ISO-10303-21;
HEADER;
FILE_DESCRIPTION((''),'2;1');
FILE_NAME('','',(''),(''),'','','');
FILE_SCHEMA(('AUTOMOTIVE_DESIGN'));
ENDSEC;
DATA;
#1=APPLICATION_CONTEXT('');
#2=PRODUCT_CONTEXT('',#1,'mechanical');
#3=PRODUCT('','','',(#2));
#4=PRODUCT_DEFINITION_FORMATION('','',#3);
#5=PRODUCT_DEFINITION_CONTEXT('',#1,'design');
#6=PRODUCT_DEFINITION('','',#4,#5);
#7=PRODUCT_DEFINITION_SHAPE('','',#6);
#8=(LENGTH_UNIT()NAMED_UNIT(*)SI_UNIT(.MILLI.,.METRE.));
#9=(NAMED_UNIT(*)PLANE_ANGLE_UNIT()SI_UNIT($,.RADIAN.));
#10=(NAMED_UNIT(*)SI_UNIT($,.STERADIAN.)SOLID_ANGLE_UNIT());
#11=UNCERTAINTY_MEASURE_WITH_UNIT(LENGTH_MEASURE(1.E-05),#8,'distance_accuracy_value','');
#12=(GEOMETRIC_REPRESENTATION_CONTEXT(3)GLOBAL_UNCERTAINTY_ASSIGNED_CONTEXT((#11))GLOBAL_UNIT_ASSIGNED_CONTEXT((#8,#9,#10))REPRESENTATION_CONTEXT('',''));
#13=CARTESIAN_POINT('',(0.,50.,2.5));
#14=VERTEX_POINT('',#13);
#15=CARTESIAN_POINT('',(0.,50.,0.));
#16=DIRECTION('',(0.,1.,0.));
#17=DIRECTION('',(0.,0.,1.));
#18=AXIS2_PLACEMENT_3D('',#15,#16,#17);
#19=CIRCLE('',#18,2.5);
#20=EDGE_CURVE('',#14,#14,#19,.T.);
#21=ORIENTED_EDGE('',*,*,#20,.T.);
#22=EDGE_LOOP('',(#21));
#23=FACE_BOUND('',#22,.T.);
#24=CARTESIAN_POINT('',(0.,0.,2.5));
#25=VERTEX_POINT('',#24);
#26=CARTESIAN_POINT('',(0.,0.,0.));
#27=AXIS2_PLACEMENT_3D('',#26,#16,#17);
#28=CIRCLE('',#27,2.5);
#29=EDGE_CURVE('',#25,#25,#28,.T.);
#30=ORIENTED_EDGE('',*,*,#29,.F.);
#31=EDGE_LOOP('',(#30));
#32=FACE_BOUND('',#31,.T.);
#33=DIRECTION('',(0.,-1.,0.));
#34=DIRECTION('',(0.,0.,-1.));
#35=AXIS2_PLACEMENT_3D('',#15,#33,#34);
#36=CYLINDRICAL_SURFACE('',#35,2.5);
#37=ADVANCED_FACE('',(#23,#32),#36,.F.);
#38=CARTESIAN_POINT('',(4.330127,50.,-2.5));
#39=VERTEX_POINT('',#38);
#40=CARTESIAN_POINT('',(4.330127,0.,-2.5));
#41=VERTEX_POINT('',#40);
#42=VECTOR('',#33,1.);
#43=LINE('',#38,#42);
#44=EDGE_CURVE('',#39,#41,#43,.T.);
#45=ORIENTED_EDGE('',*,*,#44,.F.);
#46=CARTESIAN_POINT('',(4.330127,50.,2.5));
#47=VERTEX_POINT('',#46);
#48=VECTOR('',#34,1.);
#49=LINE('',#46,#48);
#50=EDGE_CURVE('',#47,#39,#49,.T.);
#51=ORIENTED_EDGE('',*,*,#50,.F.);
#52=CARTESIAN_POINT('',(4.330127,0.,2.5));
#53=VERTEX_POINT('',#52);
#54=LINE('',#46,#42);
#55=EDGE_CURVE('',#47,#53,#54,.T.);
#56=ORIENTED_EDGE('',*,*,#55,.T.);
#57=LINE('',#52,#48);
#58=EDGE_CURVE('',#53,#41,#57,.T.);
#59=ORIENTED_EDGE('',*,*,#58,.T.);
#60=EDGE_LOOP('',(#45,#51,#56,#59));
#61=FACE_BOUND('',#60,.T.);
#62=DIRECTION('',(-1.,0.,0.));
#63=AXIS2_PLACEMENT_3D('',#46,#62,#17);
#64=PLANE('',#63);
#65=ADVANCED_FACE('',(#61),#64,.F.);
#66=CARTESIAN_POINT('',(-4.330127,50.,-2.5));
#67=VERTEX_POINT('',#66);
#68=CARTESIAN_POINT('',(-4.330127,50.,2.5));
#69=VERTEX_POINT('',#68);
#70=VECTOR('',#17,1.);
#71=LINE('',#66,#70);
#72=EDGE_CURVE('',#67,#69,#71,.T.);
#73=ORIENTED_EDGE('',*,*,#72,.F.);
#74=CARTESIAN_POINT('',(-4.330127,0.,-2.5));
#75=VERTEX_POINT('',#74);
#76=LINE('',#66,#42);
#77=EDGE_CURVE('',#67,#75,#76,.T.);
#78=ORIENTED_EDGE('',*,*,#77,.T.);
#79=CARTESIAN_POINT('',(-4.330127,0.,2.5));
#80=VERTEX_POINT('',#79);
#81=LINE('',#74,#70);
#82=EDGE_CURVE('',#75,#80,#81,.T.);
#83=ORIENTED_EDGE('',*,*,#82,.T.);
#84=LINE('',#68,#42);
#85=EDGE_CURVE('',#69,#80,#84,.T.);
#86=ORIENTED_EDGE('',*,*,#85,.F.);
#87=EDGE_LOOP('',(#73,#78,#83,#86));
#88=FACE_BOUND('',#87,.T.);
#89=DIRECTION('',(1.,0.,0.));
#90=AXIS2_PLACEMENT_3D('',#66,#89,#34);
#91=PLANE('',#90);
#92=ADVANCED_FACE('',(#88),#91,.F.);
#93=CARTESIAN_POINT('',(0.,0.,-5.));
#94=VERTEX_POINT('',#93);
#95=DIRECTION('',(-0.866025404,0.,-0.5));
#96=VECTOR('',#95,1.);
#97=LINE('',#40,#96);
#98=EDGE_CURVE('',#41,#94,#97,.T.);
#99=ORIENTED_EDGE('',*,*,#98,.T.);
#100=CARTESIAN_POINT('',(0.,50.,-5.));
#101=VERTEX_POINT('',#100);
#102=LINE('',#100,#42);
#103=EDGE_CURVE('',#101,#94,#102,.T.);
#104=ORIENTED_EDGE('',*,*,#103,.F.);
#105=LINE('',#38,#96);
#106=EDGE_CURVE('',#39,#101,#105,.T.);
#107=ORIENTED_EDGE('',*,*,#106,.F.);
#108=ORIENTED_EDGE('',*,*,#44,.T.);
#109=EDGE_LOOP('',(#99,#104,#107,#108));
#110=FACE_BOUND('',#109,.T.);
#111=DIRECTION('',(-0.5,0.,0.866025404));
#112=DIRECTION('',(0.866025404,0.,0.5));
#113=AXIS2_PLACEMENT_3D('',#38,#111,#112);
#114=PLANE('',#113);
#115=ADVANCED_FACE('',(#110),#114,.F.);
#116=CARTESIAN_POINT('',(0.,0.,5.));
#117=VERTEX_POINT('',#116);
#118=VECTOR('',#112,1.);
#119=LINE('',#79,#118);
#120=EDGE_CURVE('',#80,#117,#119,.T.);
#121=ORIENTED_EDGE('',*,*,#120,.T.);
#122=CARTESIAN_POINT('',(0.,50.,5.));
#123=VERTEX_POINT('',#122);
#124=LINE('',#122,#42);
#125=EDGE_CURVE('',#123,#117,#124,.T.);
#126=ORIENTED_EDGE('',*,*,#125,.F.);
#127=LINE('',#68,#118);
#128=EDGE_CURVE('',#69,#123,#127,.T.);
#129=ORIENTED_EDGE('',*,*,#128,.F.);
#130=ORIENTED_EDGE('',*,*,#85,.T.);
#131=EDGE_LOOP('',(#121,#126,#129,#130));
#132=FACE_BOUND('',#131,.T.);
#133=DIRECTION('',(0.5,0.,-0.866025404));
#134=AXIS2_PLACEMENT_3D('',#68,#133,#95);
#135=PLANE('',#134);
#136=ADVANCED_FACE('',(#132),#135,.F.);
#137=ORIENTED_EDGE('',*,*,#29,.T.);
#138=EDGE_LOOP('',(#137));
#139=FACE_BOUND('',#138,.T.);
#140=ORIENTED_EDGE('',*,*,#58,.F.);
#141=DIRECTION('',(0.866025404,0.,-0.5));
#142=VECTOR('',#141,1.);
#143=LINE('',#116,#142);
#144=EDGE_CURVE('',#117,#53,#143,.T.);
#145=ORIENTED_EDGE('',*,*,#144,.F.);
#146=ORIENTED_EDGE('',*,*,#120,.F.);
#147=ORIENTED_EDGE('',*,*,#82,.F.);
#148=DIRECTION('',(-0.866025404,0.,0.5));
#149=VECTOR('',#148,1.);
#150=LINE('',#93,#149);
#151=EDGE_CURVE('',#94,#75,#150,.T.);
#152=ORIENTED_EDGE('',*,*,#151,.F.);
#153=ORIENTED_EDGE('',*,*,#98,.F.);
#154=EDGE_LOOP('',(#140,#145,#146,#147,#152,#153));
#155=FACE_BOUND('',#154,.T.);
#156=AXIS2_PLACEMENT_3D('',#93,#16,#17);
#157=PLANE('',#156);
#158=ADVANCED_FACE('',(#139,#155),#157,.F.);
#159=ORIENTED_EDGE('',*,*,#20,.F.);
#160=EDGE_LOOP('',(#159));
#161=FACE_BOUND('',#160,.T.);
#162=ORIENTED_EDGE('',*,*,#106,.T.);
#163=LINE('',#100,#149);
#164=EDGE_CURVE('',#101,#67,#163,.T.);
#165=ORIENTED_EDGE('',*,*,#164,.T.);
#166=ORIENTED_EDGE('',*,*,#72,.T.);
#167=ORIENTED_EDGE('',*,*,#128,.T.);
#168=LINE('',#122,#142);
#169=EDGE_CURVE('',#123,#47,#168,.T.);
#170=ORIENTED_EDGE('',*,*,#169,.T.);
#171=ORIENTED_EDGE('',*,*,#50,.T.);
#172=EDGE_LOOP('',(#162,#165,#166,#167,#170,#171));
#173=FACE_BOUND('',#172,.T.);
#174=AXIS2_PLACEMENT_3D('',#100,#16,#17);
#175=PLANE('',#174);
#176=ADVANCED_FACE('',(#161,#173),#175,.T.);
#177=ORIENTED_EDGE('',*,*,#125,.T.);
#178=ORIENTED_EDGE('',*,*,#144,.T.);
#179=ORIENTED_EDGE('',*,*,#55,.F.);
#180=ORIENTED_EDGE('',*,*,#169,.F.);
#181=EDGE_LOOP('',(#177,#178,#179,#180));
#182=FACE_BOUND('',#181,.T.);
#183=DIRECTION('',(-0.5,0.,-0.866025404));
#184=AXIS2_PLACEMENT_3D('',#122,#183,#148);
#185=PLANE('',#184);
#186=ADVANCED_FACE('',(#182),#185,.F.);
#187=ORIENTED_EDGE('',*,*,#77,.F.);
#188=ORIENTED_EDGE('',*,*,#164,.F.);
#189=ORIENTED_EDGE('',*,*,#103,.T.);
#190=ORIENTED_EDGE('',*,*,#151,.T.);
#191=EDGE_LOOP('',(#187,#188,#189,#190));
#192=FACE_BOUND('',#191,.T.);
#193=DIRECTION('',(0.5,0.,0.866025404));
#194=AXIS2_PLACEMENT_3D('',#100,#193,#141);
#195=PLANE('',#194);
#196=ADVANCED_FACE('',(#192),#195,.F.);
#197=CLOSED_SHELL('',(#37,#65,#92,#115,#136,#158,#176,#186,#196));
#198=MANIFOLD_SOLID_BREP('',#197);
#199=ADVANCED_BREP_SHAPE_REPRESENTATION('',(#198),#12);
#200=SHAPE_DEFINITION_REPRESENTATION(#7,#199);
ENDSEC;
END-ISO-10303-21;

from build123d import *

# Parameters (mm, degrees)
ESQUISSE1_R      = 2.5
EXTRUSION1_DEPTH = 50


with BuildPart() as part:
    # Esquisse1 → Extrusion1 (new body)
    with BuildSketch(Plane(origin=(0, 0, 0), x_dir=(1, 0, 0), z_dir=(0, 1, 0))):
        Polygon((0, 5), (-4.330127019, 2.5), (-4.330127019, -2.5), (0, -5), (4.330127019, -2.5), (4.330127019, 2.5), align=None)
        Circle(ESQUISSE1_R, mode=Mode.SUBTRACT)
    extrude(amount=EXTRUSION1_DEPTH)


solid = part.part
